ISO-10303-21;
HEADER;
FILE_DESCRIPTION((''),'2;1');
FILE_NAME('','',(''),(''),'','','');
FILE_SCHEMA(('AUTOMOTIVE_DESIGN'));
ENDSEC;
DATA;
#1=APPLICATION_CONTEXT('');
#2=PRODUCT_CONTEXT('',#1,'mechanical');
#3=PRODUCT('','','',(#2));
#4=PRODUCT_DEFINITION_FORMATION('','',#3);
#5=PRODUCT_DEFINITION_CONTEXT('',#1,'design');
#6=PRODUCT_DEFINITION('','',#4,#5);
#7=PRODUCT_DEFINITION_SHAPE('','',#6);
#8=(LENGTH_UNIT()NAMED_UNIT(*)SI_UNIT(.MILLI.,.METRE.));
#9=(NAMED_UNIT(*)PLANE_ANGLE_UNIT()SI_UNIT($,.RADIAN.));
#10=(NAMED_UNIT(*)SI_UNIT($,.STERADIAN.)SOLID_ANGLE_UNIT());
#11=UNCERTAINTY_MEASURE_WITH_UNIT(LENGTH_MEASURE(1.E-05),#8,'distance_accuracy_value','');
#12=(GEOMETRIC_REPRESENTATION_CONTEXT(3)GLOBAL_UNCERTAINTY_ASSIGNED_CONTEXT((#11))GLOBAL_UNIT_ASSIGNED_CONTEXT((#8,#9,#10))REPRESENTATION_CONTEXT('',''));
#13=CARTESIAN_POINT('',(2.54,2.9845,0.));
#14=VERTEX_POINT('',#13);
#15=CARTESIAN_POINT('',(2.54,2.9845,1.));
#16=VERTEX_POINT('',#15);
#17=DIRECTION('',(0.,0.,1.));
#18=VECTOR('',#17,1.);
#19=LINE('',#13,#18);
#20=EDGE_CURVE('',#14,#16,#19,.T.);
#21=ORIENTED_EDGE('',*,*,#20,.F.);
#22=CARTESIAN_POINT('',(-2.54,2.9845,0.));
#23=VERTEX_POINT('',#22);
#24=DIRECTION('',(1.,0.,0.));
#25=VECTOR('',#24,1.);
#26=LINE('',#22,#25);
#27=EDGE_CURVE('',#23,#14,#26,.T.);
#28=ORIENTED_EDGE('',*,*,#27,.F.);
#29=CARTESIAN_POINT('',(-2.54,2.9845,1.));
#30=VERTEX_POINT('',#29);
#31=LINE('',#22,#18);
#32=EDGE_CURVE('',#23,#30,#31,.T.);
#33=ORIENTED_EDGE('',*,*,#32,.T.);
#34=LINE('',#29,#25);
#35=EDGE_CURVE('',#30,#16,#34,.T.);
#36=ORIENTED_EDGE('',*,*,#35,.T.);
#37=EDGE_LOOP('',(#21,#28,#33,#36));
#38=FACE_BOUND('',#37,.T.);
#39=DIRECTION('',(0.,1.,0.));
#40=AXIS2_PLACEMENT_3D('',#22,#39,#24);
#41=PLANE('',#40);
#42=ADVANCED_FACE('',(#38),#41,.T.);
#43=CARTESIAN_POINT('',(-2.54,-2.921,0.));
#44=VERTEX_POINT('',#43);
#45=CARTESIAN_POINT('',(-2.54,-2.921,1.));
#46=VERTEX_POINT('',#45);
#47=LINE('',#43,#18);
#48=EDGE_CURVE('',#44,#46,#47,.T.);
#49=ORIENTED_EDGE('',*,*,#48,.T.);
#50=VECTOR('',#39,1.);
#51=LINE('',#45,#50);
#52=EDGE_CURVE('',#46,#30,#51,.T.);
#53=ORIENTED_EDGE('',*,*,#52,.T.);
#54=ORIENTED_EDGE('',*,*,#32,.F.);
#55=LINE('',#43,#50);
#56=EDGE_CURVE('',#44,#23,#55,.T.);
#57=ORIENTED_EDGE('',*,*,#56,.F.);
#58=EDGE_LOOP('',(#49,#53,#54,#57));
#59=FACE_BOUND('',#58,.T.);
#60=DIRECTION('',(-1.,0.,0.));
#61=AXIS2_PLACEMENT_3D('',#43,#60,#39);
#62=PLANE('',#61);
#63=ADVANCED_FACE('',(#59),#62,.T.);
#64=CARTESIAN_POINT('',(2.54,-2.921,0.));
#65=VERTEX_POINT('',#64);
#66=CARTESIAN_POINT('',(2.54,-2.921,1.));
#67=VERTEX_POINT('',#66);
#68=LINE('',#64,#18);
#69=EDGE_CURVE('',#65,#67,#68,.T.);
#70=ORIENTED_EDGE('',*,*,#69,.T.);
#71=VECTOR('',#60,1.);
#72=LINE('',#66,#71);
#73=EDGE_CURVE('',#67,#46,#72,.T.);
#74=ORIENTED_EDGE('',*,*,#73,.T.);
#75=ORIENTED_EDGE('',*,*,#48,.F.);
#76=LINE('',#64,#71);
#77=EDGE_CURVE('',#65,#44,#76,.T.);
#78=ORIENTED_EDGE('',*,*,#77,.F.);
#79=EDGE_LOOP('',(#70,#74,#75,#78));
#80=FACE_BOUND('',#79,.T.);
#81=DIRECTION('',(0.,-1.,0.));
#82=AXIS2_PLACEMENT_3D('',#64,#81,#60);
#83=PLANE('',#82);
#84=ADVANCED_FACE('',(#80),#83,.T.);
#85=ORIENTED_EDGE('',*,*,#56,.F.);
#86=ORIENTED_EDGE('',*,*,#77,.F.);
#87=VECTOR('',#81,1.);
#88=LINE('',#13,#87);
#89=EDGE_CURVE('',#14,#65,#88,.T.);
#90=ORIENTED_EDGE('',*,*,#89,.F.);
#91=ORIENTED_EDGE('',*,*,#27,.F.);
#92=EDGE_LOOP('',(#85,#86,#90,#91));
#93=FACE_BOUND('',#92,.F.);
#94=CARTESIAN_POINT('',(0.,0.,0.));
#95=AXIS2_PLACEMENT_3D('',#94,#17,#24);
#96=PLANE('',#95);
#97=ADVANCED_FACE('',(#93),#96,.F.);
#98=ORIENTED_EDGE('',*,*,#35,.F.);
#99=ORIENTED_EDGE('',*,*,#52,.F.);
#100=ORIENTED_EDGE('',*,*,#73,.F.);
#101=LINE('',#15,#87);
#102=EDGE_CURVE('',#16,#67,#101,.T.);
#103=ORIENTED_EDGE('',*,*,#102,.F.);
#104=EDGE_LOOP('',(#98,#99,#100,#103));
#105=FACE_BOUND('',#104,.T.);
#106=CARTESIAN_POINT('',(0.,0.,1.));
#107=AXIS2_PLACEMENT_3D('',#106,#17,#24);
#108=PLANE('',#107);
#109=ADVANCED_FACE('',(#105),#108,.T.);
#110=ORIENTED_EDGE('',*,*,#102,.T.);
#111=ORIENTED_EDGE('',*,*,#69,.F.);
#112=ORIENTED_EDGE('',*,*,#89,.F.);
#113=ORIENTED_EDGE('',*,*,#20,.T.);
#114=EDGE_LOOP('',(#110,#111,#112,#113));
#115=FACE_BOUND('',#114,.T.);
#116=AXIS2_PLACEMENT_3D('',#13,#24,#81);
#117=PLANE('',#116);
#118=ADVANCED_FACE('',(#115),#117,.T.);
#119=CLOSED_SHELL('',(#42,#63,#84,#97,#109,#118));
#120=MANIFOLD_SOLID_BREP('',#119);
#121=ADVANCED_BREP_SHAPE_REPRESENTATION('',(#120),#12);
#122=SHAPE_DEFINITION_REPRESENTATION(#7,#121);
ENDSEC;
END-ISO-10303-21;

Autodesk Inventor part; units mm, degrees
ref_plane "YZ Plane" through (0, 0, 0) normal (1, 0, 0) x (0, 1, 0)
ref_plane "XZ Plane" through (0, 0, 0) normal (0, 1, 0) x (-1, 0, 0)
ref_plane "XY Plane" through (0, 0, 0) normal (0, 0, 1) x (1, 0, 0)
sketch "6410-02, MOTOR_2_48" plane through (0, 0, 0) normal (0, 0, 1) x (1, 0, 0)
  line L0 (-2.54, 2.9845) -> (2.54, 2.9845)
  line L1 (2.54, 2.9845) -> (2.54, -2.921)
  line L2 (2.54, -2.921) -> (-2.54, -2.921)
  line L3 (-2.54, -2.921) -> (-2.54, 2.9845)
extrude "Extrusion1" add sketch "6410-02, MOTOR_2_48" along normal blind 1
properties part number "MOTOR_2"
